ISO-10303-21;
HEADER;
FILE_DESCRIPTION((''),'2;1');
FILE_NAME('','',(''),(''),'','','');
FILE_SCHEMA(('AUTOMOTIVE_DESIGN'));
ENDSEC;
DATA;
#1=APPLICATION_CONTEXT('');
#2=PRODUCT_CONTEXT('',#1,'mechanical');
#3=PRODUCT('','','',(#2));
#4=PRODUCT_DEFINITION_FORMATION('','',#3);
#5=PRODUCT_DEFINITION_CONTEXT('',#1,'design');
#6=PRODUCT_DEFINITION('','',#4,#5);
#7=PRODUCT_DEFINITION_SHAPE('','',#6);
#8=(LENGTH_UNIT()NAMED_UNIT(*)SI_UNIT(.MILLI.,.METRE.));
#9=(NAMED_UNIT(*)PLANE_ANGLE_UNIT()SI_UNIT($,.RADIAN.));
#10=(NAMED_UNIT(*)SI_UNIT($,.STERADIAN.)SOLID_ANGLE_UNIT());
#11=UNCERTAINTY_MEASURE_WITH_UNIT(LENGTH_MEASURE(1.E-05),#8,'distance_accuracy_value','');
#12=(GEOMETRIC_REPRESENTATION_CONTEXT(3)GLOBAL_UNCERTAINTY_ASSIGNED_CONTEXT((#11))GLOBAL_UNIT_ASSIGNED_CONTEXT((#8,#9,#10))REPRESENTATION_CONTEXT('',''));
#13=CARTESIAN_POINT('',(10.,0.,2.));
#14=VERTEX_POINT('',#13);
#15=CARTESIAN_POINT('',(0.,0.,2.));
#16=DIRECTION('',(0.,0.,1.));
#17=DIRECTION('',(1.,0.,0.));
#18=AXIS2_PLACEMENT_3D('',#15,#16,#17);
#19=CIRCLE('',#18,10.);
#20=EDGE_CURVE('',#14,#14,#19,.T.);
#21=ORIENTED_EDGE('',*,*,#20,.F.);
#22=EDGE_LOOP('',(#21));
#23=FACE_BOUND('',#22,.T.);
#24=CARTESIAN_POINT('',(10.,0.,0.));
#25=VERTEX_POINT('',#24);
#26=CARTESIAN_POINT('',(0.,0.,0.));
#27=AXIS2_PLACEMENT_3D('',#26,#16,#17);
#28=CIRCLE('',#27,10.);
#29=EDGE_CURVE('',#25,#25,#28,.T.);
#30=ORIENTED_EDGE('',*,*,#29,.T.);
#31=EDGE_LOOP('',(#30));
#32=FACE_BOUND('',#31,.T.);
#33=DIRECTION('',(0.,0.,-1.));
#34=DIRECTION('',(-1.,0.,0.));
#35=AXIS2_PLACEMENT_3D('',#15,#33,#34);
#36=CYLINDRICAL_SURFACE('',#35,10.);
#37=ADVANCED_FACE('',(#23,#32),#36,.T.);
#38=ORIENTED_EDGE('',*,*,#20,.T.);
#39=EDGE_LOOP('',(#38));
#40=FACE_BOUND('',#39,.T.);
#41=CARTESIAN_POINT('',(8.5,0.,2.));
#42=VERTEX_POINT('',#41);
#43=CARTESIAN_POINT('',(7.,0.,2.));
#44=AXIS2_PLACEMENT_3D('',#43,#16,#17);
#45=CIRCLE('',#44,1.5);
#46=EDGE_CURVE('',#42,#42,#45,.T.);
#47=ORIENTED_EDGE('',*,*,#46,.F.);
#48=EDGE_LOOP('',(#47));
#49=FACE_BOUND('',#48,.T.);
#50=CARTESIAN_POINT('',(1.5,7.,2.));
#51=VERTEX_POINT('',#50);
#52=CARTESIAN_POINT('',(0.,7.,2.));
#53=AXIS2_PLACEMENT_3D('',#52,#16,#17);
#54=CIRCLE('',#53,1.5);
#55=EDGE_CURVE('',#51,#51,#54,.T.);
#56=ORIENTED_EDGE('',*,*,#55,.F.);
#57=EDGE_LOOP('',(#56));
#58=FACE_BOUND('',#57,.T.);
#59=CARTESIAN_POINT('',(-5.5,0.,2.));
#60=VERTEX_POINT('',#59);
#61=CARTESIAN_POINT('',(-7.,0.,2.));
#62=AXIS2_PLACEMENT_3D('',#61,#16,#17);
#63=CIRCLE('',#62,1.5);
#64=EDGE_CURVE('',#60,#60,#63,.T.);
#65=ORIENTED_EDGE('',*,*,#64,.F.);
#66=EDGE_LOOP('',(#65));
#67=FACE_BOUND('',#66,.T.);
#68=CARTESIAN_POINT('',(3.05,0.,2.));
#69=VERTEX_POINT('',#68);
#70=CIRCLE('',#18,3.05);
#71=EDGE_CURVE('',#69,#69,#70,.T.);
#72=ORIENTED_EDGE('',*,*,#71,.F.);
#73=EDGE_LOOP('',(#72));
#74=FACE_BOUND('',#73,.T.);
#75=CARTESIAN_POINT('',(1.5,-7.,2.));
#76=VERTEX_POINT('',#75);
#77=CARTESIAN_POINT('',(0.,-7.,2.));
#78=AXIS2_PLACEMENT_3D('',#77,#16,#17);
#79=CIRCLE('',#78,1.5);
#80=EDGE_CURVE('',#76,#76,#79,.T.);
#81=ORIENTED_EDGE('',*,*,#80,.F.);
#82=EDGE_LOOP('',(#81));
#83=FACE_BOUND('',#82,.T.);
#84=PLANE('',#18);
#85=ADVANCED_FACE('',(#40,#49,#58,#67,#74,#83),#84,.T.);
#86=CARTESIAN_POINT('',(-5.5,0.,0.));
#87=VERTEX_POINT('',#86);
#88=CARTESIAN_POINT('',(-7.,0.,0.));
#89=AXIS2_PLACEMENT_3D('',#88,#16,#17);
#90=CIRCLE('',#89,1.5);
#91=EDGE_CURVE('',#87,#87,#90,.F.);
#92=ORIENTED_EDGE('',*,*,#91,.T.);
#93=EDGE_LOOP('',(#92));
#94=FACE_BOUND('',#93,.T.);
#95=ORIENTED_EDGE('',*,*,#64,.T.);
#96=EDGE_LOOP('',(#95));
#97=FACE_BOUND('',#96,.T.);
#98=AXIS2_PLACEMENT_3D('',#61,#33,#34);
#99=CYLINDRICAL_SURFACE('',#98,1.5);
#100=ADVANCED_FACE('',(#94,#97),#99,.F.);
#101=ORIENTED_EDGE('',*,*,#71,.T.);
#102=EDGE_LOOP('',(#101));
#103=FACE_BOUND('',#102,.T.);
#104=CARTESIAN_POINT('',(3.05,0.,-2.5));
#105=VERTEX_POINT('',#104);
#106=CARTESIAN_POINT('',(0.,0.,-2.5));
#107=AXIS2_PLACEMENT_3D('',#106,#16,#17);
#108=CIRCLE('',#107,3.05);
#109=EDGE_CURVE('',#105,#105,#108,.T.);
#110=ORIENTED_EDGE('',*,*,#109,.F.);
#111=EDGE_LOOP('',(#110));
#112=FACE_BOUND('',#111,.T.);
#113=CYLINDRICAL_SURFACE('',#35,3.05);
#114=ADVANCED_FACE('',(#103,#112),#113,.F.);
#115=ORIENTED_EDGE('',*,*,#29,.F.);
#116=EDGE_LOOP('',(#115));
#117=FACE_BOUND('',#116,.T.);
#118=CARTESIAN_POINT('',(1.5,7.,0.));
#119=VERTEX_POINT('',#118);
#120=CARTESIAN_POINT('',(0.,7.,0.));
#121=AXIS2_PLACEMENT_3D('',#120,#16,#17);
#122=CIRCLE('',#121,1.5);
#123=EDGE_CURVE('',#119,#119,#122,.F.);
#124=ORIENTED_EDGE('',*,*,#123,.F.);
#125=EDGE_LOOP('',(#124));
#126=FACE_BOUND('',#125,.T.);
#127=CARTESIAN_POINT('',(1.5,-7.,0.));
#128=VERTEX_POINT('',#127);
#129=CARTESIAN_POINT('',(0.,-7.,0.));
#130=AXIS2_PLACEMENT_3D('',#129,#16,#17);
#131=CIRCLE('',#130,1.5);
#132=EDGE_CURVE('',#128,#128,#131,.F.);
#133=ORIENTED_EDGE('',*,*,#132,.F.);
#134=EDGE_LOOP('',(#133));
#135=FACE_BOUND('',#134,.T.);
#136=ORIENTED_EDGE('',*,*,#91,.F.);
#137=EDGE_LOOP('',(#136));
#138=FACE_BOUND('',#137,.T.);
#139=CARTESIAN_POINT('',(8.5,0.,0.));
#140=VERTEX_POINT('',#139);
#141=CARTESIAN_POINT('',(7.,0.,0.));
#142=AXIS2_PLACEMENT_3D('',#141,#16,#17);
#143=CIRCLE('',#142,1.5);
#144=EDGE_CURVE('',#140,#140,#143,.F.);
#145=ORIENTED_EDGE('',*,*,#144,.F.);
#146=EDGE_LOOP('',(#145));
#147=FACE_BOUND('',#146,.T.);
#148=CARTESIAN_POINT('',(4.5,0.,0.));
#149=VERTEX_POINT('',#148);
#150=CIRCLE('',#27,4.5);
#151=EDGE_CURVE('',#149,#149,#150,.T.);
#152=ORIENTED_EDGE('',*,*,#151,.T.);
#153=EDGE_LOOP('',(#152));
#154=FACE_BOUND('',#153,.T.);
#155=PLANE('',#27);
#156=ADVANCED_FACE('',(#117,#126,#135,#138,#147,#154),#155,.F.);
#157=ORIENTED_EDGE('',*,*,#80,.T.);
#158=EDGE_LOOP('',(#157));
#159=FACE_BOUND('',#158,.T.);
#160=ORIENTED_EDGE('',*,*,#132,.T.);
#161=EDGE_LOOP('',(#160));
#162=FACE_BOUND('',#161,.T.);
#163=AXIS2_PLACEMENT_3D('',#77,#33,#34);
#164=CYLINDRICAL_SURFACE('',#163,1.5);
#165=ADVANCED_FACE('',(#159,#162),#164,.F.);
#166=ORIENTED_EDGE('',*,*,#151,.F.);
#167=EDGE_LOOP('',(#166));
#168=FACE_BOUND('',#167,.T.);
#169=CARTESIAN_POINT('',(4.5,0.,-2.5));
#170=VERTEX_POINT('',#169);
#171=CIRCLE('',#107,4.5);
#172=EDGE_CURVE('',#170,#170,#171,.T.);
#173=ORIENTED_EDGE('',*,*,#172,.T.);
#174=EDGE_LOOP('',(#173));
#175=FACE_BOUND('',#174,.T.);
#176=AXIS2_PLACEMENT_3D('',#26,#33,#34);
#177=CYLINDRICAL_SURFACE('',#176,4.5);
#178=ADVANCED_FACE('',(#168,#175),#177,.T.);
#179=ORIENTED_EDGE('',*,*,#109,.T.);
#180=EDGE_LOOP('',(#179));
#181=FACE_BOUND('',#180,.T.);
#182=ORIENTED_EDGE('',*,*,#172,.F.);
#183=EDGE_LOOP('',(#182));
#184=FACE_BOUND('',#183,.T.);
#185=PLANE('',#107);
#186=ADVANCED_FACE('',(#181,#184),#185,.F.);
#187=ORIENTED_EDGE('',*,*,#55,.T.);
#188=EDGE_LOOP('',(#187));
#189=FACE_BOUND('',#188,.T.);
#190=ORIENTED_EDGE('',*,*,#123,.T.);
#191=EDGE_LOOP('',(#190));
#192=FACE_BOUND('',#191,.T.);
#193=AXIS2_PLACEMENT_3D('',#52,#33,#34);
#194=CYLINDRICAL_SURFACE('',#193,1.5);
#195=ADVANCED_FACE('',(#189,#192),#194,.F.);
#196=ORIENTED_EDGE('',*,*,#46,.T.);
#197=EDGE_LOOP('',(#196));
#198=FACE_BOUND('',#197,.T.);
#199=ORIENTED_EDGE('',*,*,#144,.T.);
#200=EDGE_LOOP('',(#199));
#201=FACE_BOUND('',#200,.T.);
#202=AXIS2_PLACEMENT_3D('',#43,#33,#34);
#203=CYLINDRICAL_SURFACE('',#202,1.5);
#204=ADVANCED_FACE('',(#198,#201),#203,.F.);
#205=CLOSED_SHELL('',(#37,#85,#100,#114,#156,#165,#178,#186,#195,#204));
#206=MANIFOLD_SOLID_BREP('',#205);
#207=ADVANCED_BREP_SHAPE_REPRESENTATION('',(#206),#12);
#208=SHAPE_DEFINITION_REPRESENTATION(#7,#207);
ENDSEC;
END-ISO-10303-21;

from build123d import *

# Parameters (mm, degrees)
METAL_DISC_OD20_THICKNESS2_PROFILE_R       = 10
METAL_DISC_OD20_THICKNESS2_PROFILE_R_2     = 3.05
METAL_DISC_OD20_THICKNESS2_DEPTH           = 2
PURCHASED_25T_HUB_ENVELOPE_OD9_START       = -2.5
PURCHASED_25T_HUB_ENVELOPE_OD9_PROFILE_R   = 4.5
PURCHASED_25T_HUB_ENVELOPE_OD9_PROFILE_R_2 = 3.05
PURCHASED_25T_HUB_ENVELOPE_OD9_DEPTH       = 2.5
FOUR_M3_TAPPED_HOLE_ENVELOPES_PCD14_START  = -50
FOUR_M3_TAPPED_HOLE_ENVELOPES_PCD14_PROF_R = 1.5
FOUR_M3_TAPPED_HOLE_ENVELOPES_PCD14_DEPTH  = 65.361406616


with BuildPart() as part:
    # Metal_disc_OD20_thickness2_profile → Metal_disc_OD20_thickness2 (new body)
    with BuildSketch(Plane.XY):
        Circle(METAL_DISC_OD20_THICKNESS2_PROFILE_R)
        Circle(METAL_DISC_OD20_THICKNESS2_PROFILE_R_2, mode=Mode.SUBTRACT)
    extrude(amount=METAL_DISC_OD20_THICKNESS2_DEPTH)

    # Purchased_25T_hub_envelope_OD9_profile → Purchased_25T_hub_envelope_OD9 (add)
    with BuildSketch(Plane.XY.offset(PURCHASED_25T_HUB_ENVELOPE_OD9_START)):
        Circle(PURCHASED_25T_HUB_ENVELOPE_OD9_PROFILE_R)
        Circle(PURCHASED_25T_HUB_ENVELOPE_OD9_PROFILE_R_2, mode=Mode.SUBTRACT)
    extrude(amount=PURCHASED_25T_HUB_ENVELOPE_OD9_DEPTH)

    # Four_M3_tapped_hole_envelopes_PCD14_profile → Four_M3_tapped_hole_envelopes_PCD14 (cut, through all)
    with BuildSketch(Plane.XY.offset(FOUR_M3_TAPPED_HOLE_ENVELOPES_PCD14_START)):
        with Locations((-7, 0)):
            Circle(FOUR_M3_TAPPED_HOLE_ENVELOPES_PCD14_PROF_R)
        with Locations((7, 0)):
            Circle(FOUR_M3_TAPPED_HOLE_ENVELOPES_PCD14_PROF_R)
        with Locations((0, -7)):
            Circle(FOUR_M3_TAPPED_HOLE_ENVELOPES_PCD14_PROF_R)
        with Locations((0, 7)):
            Circle(FOUR_M3_TAPPED_HOLE_ENVELOPES_PCD14_PROF_R)
    extrude(amount=FOUR_M3_TAPPED_HOLE_ENVELOPES_PCD14_DEPTH, mode=Mode.SUBTRACT)


solid = part.part
